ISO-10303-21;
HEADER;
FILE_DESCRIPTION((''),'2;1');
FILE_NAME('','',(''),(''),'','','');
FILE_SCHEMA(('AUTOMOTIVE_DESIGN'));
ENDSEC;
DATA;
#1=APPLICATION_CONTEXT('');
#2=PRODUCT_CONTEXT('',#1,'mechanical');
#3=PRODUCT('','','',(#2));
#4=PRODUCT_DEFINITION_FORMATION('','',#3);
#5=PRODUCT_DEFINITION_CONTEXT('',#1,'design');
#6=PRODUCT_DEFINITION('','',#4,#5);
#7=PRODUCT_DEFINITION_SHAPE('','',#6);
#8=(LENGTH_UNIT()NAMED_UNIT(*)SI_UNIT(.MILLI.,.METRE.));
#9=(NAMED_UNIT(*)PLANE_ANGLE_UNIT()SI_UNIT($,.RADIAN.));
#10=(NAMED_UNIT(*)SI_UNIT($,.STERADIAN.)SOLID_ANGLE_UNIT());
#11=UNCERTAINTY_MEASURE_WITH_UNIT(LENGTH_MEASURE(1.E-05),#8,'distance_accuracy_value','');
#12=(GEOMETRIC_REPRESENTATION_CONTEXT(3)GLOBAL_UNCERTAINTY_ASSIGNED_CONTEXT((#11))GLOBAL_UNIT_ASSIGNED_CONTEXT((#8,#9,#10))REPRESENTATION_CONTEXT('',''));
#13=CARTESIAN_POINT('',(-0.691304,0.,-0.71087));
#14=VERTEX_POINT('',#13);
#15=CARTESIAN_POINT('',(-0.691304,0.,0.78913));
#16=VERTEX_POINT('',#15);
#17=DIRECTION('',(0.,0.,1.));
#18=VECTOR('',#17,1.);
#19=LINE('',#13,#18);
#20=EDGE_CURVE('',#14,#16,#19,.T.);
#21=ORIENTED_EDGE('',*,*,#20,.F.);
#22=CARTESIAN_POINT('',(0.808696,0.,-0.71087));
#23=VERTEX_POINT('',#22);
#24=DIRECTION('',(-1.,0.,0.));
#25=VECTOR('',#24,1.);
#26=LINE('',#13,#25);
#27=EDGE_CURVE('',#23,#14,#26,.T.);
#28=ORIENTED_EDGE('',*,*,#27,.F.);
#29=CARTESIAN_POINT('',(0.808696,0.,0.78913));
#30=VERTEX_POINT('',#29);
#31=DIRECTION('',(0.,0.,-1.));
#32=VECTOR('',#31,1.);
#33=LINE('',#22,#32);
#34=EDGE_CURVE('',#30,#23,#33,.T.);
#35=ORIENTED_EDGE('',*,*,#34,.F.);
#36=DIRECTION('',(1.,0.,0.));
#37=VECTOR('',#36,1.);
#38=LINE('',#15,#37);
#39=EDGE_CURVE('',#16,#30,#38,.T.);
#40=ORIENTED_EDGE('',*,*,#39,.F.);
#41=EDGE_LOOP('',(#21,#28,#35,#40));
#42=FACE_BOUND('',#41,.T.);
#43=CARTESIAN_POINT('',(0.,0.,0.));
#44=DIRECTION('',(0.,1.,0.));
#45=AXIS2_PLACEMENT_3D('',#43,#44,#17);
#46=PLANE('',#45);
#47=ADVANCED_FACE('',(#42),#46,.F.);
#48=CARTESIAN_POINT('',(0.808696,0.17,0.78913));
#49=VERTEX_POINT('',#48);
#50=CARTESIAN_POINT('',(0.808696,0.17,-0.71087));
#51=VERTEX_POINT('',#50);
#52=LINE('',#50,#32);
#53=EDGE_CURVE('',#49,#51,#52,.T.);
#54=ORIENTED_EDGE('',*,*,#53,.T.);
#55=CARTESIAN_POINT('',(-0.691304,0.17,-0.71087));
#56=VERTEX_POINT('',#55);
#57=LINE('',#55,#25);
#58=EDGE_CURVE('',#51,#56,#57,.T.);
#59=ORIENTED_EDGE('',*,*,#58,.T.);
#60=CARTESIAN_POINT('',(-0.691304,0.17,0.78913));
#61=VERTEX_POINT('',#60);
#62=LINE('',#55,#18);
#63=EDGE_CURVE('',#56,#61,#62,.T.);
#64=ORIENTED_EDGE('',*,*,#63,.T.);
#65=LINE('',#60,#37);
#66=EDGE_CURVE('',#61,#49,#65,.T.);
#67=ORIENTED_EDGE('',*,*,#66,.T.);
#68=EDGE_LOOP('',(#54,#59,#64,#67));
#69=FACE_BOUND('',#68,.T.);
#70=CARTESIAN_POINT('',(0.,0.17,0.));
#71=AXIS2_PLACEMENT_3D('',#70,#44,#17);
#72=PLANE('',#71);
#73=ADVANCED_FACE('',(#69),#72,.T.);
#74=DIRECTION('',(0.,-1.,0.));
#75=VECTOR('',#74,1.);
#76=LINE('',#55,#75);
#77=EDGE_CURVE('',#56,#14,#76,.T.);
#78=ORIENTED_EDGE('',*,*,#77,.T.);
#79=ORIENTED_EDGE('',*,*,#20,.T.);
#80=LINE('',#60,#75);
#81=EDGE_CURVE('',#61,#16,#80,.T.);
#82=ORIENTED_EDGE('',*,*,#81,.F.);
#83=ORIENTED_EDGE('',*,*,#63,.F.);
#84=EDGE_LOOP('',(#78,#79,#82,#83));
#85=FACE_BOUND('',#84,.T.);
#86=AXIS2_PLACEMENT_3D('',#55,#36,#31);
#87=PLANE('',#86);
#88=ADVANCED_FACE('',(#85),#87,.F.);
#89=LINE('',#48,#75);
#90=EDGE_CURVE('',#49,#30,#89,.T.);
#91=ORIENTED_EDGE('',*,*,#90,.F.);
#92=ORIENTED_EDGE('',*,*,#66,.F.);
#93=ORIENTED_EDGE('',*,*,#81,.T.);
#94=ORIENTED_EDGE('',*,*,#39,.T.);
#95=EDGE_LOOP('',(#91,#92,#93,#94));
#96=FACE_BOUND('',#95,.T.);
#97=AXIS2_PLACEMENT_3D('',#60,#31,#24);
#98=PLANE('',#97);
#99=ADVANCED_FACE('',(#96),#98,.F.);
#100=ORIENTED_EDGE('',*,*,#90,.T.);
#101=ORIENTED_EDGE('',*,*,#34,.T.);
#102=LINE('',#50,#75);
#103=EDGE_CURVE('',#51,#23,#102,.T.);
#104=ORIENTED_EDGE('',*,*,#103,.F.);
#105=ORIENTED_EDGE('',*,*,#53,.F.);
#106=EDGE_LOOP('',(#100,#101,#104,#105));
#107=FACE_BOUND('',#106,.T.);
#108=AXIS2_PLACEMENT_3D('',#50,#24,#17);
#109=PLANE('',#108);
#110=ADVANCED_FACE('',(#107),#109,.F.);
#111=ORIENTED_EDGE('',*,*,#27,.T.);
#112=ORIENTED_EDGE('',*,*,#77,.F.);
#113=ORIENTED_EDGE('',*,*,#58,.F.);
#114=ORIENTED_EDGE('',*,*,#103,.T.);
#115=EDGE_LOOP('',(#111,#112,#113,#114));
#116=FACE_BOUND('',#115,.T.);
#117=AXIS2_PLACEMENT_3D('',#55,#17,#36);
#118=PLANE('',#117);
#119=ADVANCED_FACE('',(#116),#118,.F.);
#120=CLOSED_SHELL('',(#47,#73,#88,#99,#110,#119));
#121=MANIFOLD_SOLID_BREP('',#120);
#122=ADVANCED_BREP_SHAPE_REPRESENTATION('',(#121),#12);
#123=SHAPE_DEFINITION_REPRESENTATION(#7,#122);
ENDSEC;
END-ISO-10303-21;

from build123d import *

# Parameters (mm, degrees)
SKETCH1_W           = 1.5
SKETCH1_H           = 1.5
BOSS_EXTRUDE1_DEPTH = 0.17


with BuildPart() as part:
    # Sketch1 → Boss-Extrude1 (new body)
    with BuildSketch(Plane(origin=(0, 0, 0), x_dir=(1, 0, 0), z_dir=(0, 1, 0))):
        with Locations((0.058695652, -0.039130435)):
            Rectangle(SKETCH1_W, SKETCH1_H)
    extrude(amount=BOSS_EXTRUDE1_DEPTH)


solid = part.part
